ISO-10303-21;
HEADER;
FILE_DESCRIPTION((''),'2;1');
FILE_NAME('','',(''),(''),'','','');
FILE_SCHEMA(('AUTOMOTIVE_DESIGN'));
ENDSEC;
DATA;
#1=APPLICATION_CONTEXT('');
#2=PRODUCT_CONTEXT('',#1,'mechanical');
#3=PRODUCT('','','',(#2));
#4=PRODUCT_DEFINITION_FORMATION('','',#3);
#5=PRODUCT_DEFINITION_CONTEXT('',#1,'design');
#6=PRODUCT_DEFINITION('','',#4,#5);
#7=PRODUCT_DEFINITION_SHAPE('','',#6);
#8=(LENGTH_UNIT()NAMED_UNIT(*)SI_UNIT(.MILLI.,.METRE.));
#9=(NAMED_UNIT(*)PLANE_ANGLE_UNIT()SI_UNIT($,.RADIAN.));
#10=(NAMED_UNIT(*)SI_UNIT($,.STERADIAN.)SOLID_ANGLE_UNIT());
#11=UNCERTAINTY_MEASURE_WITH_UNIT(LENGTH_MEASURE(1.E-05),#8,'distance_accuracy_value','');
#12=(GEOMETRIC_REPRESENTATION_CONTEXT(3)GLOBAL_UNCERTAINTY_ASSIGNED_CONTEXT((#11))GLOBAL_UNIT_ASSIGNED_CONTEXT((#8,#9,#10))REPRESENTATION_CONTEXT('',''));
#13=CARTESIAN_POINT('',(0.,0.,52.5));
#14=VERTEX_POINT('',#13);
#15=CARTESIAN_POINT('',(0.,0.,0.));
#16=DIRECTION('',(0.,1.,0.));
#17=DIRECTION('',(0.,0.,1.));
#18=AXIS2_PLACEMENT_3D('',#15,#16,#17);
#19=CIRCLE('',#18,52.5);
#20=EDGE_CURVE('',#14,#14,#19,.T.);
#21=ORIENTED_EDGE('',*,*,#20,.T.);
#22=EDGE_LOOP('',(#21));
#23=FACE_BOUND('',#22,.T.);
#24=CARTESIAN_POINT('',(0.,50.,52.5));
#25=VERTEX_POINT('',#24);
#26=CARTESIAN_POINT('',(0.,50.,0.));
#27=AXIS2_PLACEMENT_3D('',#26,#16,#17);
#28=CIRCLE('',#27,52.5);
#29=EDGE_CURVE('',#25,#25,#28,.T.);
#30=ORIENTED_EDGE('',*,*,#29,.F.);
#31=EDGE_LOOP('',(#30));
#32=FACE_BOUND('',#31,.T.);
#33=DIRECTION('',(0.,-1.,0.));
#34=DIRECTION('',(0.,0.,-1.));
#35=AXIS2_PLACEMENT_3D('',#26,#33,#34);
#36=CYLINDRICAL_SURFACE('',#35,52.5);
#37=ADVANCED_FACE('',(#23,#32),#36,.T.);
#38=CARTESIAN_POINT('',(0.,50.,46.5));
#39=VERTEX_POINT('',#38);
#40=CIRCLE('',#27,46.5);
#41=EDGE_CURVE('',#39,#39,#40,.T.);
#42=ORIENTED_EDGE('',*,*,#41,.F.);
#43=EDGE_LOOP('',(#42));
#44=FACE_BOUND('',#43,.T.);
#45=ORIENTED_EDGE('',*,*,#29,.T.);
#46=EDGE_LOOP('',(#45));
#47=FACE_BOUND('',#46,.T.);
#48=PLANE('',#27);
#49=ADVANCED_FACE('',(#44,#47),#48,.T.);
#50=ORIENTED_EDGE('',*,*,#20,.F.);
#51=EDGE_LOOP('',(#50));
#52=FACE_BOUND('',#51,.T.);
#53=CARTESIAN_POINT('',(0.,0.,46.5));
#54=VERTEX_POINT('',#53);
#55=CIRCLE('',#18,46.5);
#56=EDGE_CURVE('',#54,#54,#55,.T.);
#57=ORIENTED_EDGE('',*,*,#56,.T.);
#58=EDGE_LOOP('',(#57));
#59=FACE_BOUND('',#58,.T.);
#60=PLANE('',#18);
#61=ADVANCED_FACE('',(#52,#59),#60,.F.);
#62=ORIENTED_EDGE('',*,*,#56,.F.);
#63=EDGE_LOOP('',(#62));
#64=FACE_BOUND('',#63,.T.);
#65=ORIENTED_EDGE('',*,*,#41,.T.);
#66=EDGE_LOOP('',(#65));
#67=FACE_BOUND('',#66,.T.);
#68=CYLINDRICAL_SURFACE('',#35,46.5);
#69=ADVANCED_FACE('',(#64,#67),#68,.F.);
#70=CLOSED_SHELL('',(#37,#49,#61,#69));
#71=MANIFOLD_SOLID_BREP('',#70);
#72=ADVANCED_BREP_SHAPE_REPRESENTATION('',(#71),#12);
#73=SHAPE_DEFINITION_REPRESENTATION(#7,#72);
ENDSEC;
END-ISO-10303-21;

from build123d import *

# Parameters (mm, degrees)
IZIM1_R                     = 52.5
IZIM1_R_2                   = 46.5
Y_KSEKLIK_EKSTR_ZYON1_DEPTH = 50


with BuildPart() as part:
    # Çizim1 → Yükseklik-Ekstrüzyon1 (new body)
    with BuildSketch(Plane(origin=(0, 0, 0), x_dir=(1, 0, 0), z_dir=(0, 1, 0))):
        with Locations(Location((0, 0, 0), (0, 0, 270))):
            Circle(IZIM1_R)
        with Locations(Location((0, 0, 0), (0, 0, 270))):
            Circle(IZIM1_R_2, mode=Mode.SUBTRACT)
    extrude(amount=Y_KSEKLIK_EKSTR_ZYON1_DEPTH)


solid = part.part
